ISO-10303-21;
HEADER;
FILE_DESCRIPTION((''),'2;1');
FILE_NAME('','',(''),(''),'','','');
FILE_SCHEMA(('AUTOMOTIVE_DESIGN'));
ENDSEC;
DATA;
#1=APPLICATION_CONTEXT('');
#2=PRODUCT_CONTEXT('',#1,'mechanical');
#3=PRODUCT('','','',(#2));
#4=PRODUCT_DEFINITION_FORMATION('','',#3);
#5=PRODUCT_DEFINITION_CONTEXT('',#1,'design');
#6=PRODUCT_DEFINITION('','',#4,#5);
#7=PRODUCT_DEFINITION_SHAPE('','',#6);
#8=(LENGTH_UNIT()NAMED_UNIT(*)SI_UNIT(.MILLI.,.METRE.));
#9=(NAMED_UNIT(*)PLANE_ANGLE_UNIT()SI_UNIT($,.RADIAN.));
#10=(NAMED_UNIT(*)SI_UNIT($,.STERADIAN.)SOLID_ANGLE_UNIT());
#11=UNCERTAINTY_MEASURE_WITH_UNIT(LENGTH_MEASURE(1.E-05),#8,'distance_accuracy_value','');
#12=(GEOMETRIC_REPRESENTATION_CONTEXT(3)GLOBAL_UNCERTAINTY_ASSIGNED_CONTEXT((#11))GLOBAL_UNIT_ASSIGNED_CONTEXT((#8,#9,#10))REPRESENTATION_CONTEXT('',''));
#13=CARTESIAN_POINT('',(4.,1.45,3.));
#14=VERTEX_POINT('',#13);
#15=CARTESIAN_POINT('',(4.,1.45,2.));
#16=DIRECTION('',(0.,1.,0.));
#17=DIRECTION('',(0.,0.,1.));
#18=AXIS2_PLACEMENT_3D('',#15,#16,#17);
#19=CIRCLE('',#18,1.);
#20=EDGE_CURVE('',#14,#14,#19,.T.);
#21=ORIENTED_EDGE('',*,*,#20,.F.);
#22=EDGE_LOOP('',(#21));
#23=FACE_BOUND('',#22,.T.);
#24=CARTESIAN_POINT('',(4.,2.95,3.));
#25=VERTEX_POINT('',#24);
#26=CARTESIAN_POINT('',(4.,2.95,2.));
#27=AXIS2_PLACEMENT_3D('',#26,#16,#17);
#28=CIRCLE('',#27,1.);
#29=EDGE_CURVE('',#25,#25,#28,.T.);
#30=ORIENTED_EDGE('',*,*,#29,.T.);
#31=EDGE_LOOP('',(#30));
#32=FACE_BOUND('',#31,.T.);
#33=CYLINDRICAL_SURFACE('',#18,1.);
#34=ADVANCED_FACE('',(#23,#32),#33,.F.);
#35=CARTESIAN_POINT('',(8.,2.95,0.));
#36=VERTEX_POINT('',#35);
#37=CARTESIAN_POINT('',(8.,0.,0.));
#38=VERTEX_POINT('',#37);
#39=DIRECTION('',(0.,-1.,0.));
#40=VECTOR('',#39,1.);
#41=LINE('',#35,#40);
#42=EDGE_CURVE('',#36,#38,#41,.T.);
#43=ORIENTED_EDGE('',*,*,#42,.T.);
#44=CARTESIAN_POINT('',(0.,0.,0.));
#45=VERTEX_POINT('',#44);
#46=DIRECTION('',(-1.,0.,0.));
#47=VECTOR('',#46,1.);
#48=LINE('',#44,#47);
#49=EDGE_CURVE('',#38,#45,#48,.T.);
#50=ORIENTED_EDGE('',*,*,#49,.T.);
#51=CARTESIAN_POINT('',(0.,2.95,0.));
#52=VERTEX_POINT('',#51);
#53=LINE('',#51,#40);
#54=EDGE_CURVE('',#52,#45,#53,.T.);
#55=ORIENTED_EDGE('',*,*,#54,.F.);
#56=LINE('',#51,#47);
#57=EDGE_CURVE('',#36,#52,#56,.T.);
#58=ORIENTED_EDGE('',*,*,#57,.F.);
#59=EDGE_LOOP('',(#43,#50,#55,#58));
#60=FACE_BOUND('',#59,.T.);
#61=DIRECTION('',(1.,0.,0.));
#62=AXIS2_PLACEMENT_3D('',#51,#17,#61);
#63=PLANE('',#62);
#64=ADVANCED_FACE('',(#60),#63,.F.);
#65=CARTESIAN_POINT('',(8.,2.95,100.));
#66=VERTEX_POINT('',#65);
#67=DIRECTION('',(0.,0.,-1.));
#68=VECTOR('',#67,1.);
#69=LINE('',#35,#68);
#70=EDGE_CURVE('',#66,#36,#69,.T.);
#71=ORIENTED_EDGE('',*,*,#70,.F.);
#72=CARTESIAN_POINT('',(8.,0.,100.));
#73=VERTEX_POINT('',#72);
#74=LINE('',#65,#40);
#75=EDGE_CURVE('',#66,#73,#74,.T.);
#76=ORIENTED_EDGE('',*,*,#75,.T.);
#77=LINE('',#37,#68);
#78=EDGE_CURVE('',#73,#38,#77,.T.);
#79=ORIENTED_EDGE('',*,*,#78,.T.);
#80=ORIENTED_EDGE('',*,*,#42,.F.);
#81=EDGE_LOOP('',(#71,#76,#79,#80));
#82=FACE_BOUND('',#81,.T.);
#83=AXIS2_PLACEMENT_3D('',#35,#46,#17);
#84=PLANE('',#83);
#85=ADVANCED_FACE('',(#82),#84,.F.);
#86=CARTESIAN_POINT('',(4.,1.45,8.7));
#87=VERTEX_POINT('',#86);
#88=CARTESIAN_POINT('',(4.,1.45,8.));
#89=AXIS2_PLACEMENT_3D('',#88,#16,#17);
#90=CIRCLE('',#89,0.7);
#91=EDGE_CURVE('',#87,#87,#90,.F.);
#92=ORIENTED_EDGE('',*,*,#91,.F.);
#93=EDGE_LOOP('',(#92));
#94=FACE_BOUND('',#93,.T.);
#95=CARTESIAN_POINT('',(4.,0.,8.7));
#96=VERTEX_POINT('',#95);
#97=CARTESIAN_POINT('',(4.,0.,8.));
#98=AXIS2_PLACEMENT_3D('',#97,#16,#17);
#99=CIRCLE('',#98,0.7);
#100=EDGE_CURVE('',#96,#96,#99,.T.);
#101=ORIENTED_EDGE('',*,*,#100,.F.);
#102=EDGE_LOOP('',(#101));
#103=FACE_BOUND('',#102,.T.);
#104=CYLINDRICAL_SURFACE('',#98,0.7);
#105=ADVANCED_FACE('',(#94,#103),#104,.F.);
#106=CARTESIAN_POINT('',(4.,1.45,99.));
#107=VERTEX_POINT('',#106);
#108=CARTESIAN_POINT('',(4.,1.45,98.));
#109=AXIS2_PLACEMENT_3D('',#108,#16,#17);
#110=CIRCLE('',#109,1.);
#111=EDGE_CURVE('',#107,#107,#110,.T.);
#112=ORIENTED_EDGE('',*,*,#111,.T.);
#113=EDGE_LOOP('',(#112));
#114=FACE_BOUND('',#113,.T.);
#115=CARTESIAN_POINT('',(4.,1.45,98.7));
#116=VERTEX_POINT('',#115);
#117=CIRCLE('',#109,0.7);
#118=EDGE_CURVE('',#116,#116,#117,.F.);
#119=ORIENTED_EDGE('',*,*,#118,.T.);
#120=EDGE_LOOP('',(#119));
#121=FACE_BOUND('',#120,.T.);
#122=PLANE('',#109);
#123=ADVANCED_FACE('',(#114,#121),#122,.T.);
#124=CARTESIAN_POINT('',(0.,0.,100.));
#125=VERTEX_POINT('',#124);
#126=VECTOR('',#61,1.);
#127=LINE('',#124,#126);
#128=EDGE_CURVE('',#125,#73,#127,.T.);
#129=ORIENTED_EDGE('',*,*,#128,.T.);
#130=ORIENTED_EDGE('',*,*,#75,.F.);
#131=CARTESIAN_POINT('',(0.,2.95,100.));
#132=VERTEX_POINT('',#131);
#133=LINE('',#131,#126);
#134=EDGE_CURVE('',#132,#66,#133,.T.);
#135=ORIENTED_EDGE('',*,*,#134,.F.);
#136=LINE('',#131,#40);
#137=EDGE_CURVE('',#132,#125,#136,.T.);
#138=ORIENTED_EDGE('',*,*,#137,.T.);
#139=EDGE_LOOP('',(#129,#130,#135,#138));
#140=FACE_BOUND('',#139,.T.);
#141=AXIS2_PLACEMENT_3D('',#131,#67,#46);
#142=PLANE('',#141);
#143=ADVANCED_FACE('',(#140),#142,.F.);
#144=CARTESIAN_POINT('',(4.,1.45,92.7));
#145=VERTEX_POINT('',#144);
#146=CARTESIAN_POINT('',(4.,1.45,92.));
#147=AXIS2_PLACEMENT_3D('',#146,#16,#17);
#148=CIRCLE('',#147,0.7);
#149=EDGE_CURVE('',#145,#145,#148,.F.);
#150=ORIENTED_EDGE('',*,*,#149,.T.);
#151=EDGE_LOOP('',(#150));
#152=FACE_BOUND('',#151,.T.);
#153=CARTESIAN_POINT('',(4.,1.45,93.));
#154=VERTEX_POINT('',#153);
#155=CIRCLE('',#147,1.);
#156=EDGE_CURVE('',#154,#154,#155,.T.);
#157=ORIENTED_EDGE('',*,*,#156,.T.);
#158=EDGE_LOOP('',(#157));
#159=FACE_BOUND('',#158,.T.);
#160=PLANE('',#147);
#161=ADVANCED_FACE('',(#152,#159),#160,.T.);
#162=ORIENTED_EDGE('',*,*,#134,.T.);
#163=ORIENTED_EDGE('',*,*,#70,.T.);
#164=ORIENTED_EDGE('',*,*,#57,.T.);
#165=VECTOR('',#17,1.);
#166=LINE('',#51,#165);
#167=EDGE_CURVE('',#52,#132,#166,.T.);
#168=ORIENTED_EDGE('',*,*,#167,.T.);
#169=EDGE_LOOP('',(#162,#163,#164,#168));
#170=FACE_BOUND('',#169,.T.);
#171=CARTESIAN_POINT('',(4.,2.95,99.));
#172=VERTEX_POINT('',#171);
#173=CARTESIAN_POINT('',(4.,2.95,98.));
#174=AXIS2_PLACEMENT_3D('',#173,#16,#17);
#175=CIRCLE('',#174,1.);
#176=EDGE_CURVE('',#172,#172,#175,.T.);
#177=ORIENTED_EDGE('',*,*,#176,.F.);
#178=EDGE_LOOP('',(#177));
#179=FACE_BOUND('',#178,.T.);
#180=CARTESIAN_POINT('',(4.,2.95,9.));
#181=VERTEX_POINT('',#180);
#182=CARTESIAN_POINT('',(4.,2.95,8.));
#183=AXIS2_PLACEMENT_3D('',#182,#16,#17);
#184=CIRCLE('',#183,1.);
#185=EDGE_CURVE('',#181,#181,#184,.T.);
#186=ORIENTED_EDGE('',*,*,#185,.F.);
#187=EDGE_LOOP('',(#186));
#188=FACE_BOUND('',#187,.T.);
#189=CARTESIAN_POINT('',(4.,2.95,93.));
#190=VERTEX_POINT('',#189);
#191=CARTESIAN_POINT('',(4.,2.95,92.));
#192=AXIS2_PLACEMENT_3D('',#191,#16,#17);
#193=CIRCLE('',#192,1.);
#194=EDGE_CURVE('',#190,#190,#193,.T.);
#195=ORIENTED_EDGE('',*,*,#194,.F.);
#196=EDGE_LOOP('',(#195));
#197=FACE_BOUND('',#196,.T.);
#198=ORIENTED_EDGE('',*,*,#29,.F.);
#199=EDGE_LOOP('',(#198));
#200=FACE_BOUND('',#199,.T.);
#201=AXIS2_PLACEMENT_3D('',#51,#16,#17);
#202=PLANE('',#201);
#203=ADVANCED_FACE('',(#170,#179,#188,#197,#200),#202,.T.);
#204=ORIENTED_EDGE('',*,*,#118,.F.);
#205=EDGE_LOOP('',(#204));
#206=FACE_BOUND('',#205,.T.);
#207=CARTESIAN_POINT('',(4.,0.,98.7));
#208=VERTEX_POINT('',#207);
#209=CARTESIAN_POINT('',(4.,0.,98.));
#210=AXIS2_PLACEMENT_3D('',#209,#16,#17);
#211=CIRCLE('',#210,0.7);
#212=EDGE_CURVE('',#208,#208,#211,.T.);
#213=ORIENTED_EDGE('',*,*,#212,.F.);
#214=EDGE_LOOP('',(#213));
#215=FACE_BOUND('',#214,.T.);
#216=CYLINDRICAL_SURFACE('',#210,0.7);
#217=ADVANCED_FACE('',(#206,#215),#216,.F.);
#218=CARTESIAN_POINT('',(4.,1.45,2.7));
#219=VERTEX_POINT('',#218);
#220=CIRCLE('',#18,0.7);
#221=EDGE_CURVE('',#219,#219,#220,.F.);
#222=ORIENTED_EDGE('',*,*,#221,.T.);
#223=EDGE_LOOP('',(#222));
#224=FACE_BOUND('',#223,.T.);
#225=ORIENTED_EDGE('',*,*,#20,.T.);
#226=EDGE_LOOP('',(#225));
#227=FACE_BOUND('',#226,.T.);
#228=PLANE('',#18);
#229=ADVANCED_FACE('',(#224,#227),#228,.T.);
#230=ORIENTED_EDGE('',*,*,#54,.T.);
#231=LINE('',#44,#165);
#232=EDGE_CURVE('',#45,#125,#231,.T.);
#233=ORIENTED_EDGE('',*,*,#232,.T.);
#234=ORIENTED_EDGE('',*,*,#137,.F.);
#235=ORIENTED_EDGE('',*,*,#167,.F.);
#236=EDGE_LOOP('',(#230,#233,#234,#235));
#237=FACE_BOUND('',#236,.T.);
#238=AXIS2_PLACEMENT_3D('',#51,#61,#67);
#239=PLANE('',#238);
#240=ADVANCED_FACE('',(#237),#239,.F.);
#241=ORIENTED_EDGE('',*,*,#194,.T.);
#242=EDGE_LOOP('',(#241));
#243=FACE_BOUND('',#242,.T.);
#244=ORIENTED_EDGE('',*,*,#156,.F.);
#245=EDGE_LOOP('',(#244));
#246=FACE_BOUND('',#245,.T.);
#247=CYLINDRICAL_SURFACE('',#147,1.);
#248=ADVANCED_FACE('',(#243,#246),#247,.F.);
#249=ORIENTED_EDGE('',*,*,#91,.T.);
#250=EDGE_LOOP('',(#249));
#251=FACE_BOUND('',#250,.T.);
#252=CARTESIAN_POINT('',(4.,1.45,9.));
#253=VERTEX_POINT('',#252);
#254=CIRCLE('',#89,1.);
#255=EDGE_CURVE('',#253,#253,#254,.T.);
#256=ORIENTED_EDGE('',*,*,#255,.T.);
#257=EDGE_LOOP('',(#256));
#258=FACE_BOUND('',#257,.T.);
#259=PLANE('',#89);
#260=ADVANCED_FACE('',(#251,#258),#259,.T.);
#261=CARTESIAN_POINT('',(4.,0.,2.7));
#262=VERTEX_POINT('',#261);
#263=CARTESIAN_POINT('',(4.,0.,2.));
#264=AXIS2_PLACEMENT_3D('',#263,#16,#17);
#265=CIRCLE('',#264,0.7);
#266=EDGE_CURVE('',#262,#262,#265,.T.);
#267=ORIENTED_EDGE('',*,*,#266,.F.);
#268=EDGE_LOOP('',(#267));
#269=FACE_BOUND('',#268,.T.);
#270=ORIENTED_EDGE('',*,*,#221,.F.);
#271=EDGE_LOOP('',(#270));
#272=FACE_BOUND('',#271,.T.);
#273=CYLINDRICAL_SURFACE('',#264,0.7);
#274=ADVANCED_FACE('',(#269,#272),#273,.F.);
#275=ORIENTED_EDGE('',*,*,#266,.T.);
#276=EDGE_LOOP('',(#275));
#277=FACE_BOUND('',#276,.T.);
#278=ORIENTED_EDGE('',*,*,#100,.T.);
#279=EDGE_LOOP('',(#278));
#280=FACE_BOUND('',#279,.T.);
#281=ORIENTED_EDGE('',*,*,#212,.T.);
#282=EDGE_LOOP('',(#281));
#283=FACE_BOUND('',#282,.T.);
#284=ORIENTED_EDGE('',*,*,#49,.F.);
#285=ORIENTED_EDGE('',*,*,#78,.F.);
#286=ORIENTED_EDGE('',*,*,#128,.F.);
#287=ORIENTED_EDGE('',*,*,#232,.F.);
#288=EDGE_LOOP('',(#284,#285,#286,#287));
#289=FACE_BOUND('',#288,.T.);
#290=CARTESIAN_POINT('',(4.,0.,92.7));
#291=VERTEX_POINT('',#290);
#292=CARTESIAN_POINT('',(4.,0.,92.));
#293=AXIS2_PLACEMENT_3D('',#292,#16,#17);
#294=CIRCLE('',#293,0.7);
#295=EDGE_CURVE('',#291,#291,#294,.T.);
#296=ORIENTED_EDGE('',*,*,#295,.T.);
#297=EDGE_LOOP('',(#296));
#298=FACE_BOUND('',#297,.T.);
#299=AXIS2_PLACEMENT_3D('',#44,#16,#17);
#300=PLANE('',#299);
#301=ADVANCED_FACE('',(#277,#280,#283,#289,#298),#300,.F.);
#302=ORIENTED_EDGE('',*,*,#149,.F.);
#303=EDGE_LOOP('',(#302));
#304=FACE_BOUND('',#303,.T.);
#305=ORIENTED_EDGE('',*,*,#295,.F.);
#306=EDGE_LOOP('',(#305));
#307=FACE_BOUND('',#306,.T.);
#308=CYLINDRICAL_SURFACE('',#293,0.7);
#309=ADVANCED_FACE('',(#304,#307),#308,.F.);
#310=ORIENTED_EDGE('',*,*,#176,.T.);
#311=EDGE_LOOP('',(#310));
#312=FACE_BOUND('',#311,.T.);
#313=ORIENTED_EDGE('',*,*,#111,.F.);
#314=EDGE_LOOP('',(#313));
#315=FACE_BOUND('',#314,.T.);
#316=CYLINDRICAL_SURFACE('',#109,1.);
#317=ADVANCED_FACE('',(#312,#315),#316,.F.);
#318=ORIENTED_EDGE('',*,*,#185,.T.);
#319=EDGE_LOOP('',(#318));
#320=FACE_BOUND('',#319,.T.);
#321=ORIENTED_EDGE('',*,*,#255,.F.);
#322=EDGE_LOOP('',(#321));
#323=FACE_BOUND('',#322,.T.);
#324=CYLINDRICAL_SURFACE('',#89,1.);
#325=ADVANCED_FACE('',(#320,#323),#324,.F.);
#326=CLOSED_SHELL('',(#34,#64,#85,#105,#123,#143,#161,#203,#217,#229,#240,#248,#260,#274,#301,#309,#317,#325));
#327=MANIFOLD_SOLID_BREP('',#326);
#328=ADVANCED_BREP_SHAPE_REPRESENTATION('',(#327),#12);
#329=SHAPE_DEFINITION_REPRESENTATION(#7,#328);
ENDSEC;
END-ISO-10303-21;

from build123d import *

# Parameters (mm, degrees)
SKETCH_1_W          = 8
SKETCH_1_H          = 100
EXTRUDE_1_DEPTH     = 2.95
SKETCH_2_R          = 0.7
CUT_EXTRUDE_1_DEPTH = 101.362854184
SKETCH_2_3_R        = 1
CUT_EXTRUDE_2_DEPTH = 1.5


with BuildPart() as part:
    # 草图1 → 凸台-拉伸1 (new body)
    with BuildSketch(Plane(origin=(0, 0, 0), x_dir=(1, 0, 0), z_dir=(0, 1, 0))):
        with Locations((4, -50)):
            Rectangle(SKETCH_1_W, SKETCH_1_H)
    extrude(amount=EXTRUDE_1_DEPTH)

    # 草图2 → 切除-拉伸1 (cut, through all)
    with BuildSketch(Plane(origin=(0, 2.95, 0), x_dir=(1, 0, 0), z_dir=(0, 1, 0))):
        with Locations((4, -8)):
            Circle(SKETCH_2_R)
        with Locations((4, -2)):
            Circle(SKETCH_2_R)
        with Locations((4, -98)):
            Circle(SKETCH_2_R)
        with Locations((4, -92)):
            Circle(SKETCH_2_R)
    extrude(amount=-CUT_EXTRUDE_1_DEPTH, mode=Mode.SUBTRACT)

    # 草图2<3> → 切除-拉伸2 (cut)
    with BuildSketch(Plane(origin=(0, 2.95, 0), x_dir=(1, 0, 0), z_dir=(0, 1, 0))):
        with Locations((4, -8)):
            Circle(SKETCH_2_3_R)
        with Locations((4, -2)):
            Circle(SKETCH_2_3_R)
        with Locations((4, -98)):
            Circle(SKETCH_2_3_R)
        with Locations((4, -92)):
            Circle(SKETCH_2_3_R)
    extrude(amount=-CUT_EXTRUDE_2_DEPTH, mode=Mode.SUBTRACT)


solid = part.part
